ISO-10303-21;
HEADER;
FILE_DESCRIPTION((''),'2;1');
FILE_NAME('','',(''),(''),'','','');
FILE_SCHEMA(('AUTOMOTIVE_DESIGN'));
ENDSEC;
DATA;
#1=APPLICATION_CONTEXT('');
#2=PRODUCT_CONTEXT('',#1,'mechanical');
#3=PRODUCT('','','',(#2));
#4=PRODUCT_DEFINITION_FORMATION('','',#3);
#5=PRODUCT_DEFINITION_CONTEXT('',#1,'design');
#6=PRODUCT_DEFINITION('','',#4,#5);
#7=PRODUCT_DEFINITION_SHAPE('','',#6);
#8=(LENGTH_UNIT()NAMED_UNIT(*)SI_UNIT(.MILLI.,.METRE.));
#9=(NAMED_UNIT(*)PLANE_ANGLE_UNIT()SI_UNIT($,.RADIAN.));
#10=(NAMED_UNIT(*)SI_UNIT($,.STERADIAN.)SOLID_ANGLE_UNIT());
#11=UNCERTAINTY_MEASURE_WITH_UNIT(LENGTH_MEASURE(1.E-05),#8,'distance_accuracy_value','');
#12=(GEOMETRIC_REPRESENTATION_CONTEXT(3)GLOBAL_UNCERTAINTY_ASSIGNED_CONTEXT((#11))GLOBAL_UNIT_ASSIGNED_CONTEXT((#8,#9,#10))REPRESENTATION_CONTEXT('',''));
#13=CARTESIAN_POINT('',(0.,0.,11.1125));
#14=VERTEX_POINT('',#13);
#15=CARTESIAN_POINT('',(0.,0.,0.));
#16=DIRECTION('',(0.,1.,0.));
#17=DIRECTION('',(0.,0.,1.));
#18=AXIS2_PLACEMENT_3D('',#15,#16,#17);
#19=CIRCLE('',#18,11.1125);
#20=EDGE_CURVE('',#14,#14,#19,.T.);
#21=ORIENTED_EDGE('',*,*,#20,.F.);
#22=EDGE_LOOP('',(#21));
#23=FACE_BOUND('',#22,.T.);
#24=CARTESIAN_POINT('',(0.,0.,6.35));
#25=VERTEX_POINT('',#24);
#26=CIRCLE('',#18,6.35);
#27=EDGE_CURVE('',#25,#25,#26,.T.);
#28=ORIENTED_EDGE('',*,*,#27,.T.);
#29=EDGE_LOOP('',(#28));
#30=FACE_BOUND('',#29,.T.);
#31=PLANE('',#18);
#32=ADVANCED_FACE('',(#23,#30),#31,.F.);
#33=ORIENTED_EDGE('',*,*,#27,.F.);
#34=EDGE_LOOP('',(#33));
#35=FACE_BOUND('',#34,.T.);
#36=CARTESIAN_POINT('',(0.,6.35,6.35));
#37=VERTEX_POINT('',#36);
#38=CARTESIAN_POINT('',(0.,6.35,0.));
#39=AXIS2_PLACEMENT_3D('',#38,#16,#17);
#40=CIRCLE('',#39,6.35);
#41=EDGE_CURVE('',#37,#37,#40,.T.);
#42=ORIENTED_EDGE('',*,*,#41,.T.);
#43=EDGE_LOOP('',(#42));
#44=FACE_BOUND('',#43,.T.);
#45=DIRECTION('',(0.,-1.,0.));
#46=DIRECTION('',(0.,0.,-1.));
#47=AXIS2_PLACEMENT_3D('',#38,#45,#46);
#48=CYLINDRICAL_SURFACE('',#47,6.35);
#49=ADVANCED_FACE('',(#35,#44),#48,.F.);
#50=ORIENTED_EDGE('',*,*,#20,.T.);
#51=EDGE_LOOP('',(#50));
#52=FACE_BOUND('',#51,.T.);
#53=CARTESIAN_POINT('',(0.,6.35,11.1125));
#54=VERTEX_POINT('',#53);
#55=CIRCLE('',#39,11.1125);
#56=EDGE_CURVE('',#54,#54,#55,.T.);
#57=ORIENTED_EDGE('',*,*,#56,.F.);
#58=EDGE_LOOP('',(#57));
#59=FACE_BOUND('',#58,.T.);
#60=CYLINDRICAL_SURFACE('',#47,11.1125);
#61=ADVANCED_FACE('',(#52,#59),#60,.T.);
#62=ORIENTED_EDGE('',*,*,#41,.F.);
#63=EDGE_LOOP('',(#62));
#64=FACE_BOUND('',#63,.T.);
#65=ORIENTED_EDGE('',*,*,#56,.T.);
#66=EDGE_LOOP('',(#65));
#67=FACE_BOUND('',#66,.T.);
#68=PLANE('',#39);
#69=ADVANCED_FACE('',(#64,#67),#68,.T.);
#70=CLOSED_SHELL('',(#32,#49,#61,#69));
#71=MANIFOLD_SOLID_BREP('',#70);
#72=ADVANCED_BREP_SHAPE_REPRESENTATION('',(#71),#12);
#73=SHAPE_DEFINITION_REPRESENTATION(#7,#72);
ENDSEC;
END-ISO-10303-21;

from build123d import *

# Parameters (mm, degrees)
SKETCH1_R           = 11.1125
SKETCH1_R_2         = 6.35
BOSS_EXTRUDE1_DEPTH = 6.35


with BuildPart() as part:
    # Sketch1 → Boss-Extrude1 (new body)
    with BuildSketch(Plane(origin=(0, 0, 0), x_dir=(1, 0, 0), z_dir=(0, 1, 0))):
        Circle(SKETCH1_R)
        Circle(SKETCH1_R_2, mode=Mode.SUBTRACT)
    extrude(amount=BOSS_EXTRUDE1_DEPTH)


solid = part.part
